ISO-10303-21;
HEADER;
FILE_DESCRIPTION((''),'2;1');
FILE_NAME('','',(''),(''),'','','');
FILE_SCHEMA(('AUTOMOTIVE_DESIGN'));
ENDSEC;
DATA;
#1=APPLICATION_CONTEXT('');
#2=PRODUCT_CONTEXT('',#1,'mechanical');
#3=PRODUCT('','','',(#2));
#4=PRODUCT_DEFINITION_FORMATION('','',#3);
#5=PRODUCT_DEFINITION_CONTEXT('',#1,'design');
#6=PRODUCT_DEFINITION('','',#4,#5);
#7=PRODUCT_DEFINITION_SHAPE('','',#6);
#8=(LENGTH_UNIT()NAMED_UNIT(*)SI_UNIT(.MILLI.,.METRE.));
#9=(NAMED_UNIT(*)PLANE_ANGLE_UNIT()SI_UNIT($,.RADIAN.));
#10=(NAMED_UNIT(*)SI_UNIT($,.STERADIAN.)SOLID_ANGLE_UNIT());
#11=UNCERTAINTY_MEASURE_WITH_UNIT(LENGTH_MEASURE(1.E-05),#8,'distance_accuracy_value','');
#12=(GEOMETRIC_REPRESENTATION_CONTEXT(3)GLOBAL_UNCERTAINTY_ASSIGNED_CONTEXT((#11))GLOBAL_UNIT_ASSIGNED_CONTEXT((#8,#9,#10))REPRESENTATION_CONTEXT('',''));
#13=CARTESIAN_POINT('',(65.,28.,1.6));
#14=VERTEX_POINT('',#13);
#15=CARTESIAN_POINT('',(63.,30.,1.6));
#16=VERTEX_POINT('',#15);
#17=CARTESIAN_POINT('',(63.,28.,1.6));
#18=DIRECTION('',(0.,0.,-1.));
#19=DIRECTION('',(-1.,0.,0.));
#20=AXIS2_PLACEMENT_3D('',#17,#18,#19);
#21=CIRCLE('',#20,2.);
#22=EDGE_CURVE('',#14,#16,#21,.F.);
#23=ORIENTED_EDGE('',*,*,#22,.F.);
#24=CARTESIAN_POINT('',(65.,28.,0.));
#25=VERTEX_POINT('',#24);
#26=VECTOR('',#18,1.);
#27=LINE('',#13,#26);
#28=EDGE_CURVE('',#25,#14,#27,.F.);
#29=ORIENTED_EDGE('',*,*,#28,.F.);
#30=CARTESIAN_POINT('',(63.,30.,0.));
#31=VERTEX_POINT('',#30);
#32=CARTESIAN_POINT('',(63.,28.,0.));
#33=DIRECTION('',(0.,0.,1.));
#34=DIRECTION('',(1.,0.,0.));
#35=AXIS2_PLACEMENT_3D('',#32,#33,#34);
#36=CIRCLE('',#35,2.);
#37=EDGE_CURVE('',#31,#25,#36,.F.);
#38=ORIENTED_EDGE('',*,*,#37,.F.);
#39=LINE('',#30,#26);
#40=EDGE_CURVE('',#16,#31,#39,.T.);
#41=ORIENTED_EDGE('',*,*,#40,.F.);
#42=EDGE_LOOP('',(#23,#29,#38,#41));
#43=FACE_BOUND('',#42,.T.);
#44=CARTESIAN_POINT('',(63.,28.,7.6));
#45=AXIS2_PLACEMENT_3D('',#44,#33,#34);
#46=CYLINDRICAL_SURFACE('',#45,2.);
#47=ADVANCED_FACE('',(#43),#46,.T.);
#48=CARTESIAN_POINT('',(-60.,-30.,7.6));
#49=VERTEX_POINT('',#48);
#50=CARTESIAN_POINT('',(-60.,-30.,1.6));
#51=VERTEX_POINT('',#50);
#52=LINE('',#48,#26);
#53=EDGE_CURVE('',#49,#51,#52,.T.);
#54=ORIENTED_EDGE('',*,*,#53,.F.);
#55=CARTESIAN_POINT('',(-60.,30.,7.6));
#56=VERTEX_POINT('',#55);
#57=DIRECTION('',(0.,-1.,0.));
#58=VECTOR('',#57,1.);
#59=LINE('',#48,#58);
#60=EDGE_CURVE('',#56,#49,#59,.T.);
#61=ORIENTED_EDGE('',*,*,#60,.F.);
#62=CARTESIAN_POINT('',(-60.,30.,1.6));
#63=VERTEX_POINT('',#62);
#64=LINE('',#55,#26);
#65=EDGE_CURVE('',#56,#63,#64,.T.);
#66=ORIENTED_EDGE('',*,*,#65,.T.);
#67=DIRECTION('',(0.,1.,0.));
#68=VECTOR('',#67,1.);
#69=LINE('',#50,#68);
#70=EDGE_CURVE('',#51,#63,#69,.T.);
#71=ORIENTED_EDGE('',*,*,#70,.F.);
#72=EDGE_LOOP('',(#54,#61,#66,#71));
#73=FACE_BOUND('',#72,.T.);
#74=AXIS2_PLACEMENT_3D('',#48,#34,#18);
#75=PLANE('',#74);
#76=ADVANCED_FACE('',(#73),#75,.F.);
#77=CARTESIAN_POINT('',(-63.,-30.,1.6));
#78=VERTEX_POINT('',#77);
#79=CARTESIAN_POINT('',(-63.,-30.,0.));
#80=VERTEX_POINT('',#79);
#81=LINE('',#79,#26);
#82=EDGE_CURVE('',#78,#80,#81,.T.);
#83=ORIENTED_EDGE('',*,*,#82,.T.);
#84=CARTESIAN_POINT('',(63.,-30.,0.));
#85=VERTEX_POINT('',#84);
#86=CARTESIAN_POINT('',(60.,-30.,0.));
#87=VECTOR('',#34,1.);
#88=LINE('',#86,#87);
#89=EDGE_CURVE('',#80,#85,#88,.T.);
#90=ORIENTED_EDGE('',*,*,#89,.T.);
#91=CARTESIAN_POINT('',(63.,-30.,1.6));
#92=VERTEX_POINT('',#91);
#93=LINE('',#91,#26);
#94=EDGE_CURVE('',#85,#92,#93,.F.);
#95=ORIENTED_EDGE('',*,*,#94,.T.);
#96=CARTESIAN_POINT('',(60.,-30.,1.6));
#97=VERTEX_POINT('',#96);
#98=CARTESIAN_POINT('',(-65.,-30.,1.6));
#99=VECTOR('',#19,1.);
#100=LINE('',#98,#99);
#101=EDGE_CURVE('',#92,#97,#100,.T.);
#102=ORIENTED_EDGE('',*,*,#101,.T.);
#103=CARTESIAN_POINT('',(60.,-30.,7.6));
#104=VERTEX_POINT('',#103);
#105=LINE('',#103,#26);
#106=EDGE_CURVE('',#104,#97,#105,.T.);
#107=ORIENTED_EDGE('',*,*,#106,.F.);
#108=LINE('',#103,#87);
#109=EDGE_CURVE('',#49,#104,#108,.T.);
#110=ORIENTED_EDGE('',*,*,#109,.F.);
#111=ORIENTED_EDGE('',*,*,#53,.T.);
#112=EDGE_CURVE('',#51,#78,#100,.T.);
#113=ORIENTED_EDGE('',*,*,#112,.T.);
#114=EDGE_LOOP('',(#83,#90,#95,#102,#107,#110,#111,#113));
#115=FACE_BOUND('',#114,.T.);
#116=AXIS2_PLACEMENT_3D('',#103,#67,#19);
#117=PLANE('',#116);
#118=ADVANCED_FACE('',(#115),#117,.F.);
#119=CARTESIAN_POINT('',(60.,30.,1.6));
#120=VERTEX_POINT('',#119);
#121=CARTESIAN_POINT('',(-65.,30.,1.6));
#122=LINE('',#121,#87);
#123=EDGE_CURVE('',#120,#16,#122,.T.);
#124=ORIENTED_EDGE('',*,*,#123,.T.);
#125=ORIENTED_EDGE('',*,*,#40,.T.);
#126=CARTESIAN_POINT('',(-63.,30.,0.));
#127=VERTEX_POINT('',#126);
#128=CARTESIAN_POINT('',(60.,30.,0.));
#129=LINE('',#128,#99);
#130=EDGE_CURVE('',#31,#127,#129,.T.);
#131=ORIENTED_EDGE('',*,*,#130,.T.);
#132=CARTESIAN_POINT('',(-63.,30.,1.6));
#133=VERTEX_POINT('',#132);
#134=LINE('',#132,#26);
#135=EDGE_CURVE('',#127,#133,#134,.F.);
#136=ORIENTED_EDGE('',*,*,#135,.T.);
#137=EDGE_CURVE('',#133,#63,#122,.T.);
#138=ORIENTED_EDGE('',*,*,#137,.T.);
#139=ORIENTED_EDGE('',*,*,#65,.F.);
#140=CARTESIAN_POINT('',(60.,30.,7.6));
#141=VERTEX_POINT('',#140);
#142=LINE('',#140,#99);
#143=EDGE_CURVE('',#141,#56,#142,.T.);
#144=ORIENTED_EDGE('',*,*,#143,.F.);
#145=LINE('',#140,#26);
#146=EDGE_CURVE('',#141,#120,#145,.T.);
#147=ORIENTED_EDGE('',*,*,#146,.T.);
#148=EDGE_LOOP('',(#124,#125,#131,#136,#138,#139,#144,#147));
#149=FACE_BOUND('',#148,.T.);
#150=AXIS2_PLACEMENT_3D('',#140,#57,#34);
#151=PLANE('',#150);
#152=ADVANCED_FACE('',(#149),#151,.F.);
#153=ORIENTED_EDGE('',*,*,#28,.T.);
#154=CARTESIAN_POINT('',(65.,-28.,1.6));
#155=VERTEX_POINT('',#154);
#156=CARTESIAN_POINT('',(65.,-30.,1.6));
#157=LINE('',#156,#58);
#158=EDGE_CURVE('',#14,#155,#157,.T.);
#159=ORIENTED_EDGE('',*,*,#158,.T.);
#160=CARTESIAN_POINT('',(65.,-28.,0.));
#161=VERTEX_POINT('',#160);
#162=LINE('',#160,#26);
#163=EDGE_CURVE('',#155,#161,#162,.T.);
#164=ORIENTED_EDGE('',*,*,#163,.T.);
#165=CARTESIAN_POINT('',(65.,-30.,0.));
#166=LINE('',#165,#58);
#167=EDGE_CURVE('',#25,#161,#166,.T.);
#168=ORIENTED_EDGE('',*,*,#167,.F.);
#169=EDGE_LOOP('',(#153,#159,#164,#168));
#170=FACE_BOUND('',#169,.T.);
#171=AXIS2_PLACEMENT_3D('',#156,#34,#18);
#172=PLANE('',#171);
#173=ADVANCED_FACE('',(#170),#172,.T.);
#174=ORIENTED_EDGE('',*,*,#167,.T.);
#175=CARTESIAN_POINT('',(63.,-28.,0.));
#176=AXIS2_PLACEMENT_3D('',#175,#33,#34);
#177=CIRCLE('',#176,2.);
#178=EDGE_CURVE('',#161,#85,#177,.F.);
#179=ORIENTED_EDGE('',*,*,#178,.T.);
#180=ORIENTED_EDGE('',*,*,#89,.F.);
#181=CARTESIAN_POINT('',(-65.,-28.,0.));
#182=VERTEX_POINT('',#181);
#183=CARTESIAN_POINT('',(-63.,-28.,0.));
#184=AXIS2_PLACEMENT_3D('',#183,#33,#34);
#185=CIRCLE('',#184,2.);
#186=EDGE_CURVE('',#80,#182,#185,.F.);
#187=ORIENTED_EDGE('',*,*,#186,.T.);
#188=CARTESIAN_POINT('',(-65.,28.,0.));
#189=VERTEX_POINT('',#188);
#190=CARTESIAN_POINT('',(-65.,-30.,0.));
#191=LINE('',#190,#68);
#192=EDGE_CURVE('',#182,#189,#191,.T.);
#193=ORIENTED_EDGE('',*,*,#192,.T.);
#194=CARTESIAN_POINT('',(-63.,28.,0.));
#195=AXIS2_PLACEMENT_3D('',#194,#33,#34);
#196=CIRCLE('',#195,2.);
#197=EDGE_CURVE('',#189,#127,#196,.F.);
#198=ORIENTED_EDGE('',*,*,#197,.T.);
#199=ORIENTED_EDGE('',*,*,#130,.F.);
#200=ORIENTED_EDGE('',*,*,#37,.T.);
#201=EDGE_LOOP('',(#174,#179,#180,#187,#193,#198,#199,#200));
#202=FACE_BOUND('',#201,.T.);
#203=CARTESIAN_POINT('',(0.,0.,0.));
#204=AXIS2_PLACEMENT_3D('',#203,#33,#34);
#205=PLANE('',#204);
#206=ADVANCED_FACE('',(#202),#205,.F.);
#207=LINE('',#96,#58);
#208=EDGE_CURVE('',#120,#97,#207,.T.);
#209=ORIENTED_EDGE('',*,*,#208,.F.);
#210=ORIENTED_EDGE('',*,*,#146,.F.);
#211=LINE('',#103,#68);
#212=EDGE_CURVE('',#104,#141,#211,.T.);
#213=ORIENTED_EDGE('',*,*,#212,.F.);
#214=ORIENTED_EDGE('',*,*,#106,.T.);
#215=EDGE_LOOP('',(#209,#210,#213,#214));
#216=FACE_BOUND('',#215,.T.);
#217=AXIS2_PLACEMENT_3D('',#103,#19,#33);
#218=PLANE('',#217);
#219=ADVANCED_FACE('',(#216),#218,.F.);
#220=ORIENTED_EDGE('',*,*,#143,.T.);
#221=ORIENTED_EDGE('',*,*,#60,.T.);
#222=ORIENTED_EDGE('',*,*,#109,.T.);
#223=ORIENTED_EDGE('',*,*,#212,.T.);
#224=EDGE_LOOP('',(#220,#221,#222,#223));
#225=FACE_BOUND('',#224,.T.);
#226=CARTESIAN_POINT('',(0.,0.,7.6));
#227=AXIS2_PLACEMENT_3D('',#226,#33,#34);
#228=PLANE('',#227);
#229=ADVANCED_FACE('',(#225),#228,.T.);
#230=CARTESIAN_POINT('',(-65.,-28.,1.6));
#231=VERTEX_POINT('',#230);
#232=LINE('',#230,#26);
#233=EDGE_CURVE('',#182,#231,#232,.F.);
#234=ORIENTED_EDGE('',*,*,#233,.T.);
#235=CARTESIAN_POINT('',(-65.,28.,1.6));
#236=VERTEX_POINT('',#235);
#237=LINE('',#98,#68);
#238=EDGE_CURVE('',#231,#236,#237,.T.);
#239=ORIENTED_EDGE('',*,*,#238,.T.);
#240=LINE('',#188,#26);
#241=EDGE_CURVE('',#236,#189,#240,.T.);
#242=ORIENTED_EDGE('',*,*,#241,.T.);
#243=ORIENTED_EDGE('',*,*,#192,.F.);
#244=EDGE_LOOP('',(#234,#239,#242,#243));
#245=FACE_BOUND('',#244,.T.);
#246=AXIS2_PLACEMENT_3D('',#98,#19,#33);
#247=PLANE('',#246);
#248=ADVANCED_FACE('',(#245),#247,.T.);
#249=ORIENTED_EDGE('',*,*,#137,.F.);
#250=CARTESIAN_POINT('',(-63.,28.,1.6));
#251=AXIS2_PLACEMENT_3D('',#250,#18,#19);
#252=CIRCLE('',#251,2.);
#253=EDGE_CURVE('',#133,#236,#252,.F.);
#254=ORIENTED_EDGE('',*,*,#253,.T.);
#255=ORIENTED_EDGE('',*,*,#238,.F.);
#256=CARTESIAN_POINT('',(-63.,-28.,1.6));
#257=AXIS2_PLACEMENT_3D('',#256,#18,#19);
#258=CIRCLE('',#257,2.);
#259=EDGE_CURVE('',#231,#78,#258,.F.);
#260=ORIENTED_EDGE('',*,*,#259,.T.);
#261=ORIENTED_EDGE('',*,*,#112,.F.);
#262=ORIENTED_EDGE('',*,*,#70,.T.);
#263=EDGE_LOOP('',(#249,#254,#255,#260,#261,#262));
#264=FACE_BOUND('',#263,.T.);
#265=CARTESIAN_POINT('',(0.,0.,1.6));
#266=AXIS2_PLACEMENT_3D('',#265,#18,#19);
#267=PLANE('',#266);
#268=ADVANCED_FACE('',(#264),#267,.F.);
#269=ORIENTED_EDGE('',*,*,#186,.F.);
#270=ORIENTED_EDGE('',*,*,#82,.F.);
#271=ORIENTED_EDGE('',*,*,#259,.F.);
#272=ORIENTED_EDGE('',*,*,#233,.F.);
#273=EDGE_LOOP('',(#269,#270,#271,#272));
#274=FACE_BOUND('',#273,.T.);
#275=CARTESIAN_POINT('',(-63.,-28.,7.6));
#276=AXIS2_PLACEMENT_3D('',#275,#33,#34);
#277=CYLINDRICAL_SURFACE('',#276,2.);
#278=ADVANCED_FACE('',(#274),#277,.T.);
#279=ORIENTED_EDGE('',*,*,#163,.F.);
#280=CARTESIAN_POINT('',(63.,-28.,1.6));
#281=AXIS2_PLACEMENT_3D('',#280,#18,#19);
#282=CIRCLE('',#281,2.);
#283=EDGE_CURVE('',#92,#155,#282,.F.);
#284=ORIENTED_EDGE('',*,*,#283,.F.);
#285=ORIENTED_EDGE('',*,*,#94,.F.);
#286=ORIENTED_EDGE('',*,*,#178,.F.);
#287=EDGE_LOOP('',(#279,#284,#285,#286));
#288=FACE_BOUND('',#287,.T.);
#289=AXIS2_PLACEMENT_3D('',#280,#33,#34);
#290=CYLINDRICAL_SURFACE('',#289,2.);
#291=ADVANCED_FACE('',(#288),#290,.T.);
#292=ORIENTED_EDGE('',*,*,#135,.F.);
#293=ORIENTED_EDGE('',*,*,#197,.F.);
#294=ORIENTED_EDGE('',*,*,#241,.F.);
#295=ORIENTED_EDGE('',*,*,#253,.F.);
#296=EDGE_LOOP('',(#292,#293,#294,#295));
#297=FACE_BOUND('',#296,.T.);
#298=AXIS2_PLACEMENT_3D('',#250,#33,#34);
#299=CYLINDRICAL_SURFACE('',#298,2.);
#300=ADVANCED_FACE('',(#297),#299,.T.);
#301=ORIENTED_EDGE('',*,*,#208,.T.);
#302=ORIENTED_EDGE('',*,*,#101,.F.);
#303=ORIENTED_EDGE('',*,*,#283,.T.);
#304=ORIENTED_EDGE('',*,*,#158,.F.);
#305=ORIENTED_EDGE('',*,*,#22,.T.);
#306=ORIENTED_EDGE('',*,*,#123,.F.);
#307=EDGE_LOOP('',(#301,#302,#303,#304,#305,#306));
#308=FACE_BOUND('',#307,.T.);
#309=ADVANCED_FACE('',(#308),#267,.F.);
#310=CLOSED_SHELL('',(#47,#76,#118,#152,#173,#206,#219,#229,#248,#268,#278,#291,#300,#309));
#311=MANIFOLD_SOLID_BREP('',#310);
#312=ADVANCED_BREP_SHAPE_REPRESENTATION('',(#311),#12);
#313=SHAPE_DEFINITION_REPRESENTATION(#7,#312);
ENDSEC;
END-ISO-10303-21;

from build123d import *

# Parameters (mm, degrees)
SKETCH_1_W      = 120
SKETCH_1_H      = 60
EXTRUDE_1_DEPTH = 7.6
SKETCH_5_W      = 130
SKETCH_5_H      = 60
EXTRUDE_2_DEPTH = 1.6
FILLET_1_R      = 2


with BuildPart() as part:
    # 草图1 → 凸台-拉伸1 (new body)
    with BuildSketch(Plane.XY):
        Rectangle(SKETCH_1_W, SKETCH_1_H)
    extrude(amount=EXTRUDE_1_DEPTH)

    # 草图5 → 凸台-拉伸2 (add)
    with BuildSketch(Plane(origin=(0, 0, 0), x_dir=(-1, 0, 0), z_dir=(0, 0, -1))):
        Rectangle(SKETCH_5_W, SKETCH_5_H)
    extrude(amount=-EXTRUDE_2_DEPTH)

    # 圆角1
    fillet_1_edges = [part.edges().sort_by_distance(p)[0] for p in [
        (65, 30, 0.8),
        (-65, -30, 0.8),
        (65, -30, 0.8),
        (-65, 30, 0.8),
    ]]
    fillet(fillet_1_edges, radius=FILLET_1_R)


solid = part.part
